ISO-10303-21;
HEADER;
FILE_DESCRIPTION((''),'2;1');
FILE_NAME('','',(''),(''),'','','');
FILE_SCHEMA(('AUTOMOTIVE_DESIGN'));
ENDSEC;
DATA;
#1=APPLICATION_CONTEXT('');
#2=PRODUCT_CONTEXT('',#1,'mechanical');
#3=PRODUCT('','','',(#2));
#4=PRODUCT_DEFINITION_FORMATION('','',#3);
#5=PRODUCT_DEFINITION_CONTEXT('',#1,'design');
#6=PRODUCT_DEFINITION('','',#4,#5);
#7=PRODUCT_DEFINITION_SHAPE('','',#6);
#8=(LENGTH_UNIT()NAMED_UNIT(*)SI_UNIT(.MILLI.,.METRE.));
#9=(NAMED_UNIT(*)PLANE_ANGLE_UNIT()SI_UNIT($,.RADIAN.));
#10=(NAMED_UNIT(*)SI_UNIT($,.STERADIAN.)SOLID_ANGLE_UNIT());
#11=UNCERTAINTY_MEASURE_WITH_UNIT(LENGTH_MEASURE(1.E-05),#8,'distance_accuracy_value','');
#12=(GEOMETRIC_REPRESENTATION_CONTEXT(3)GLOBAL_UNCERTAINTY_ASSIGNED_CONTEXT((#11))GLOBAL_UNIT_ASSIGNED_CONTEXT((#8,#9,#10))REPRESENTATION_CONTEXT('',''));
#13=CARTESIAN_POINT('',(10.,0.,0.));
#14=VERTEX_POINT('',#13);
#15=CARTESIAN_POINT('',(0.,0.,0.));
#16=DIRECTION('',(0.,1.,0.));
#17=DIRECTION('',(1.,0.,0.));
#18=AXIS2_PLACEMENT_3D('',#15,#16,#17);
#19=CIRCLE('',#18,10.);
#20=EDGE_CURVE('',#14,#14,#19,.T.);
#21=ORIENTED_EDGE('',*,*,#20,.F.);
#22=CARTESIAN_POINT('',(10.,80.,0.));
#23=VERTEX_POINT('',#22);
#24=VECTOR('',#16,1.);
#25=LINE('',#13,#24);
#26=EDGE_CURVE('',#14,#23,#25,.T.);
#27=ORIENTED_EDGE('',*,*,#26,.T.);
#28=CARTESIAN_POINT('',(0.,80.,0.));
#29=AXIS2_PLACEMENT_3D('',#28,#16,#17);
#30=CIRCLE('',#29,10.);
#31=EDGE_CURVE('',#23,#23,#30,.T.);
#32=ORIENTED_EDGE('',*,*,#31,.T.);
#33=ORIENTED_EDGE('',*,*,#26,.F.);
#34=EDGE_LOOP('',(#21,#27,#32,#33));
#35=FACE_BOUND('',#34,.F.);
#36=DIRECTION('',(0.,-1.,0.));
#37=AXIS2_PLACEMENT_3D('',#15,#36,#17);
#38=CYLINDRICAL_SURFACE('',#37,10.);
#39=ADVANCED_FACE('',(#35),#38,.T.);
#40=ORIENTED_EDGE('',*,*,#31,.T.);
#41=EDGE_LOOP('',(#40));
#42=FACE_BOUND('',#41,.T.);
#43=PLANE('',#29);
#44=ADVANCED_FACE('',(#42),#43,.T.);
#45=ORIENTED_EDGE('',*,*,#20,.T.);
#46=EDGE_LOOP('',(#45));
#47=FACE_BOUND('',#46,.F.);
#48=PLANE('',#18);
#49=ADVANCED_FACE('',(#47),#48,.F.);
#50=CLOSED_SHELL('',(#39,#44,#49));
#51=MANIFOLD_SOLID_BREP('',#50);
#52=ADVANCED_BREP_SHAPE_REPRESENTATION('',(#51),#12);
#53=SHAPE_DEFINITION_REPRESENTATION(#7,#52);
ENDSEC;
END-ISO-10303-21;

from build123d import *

# Parameters (mm, degrees)
ESBO_O1_R                = 10
RESSALTO_EXTRUS_O1_DEPTH = 80


with BuildPart() as part:
    # Esboço1 → Ressalto-extrusão1 (new body)
    with BuildSketch(Plane(origin=(0, 0, 0), x_dir=(1, 0, 0), z_dir=(0, 1, 0))):
        Circle(ESBO_O1_R)
    extrude(amount=RESSALTO_EXTRUS_O1_DEPTH)


solid = part.part
